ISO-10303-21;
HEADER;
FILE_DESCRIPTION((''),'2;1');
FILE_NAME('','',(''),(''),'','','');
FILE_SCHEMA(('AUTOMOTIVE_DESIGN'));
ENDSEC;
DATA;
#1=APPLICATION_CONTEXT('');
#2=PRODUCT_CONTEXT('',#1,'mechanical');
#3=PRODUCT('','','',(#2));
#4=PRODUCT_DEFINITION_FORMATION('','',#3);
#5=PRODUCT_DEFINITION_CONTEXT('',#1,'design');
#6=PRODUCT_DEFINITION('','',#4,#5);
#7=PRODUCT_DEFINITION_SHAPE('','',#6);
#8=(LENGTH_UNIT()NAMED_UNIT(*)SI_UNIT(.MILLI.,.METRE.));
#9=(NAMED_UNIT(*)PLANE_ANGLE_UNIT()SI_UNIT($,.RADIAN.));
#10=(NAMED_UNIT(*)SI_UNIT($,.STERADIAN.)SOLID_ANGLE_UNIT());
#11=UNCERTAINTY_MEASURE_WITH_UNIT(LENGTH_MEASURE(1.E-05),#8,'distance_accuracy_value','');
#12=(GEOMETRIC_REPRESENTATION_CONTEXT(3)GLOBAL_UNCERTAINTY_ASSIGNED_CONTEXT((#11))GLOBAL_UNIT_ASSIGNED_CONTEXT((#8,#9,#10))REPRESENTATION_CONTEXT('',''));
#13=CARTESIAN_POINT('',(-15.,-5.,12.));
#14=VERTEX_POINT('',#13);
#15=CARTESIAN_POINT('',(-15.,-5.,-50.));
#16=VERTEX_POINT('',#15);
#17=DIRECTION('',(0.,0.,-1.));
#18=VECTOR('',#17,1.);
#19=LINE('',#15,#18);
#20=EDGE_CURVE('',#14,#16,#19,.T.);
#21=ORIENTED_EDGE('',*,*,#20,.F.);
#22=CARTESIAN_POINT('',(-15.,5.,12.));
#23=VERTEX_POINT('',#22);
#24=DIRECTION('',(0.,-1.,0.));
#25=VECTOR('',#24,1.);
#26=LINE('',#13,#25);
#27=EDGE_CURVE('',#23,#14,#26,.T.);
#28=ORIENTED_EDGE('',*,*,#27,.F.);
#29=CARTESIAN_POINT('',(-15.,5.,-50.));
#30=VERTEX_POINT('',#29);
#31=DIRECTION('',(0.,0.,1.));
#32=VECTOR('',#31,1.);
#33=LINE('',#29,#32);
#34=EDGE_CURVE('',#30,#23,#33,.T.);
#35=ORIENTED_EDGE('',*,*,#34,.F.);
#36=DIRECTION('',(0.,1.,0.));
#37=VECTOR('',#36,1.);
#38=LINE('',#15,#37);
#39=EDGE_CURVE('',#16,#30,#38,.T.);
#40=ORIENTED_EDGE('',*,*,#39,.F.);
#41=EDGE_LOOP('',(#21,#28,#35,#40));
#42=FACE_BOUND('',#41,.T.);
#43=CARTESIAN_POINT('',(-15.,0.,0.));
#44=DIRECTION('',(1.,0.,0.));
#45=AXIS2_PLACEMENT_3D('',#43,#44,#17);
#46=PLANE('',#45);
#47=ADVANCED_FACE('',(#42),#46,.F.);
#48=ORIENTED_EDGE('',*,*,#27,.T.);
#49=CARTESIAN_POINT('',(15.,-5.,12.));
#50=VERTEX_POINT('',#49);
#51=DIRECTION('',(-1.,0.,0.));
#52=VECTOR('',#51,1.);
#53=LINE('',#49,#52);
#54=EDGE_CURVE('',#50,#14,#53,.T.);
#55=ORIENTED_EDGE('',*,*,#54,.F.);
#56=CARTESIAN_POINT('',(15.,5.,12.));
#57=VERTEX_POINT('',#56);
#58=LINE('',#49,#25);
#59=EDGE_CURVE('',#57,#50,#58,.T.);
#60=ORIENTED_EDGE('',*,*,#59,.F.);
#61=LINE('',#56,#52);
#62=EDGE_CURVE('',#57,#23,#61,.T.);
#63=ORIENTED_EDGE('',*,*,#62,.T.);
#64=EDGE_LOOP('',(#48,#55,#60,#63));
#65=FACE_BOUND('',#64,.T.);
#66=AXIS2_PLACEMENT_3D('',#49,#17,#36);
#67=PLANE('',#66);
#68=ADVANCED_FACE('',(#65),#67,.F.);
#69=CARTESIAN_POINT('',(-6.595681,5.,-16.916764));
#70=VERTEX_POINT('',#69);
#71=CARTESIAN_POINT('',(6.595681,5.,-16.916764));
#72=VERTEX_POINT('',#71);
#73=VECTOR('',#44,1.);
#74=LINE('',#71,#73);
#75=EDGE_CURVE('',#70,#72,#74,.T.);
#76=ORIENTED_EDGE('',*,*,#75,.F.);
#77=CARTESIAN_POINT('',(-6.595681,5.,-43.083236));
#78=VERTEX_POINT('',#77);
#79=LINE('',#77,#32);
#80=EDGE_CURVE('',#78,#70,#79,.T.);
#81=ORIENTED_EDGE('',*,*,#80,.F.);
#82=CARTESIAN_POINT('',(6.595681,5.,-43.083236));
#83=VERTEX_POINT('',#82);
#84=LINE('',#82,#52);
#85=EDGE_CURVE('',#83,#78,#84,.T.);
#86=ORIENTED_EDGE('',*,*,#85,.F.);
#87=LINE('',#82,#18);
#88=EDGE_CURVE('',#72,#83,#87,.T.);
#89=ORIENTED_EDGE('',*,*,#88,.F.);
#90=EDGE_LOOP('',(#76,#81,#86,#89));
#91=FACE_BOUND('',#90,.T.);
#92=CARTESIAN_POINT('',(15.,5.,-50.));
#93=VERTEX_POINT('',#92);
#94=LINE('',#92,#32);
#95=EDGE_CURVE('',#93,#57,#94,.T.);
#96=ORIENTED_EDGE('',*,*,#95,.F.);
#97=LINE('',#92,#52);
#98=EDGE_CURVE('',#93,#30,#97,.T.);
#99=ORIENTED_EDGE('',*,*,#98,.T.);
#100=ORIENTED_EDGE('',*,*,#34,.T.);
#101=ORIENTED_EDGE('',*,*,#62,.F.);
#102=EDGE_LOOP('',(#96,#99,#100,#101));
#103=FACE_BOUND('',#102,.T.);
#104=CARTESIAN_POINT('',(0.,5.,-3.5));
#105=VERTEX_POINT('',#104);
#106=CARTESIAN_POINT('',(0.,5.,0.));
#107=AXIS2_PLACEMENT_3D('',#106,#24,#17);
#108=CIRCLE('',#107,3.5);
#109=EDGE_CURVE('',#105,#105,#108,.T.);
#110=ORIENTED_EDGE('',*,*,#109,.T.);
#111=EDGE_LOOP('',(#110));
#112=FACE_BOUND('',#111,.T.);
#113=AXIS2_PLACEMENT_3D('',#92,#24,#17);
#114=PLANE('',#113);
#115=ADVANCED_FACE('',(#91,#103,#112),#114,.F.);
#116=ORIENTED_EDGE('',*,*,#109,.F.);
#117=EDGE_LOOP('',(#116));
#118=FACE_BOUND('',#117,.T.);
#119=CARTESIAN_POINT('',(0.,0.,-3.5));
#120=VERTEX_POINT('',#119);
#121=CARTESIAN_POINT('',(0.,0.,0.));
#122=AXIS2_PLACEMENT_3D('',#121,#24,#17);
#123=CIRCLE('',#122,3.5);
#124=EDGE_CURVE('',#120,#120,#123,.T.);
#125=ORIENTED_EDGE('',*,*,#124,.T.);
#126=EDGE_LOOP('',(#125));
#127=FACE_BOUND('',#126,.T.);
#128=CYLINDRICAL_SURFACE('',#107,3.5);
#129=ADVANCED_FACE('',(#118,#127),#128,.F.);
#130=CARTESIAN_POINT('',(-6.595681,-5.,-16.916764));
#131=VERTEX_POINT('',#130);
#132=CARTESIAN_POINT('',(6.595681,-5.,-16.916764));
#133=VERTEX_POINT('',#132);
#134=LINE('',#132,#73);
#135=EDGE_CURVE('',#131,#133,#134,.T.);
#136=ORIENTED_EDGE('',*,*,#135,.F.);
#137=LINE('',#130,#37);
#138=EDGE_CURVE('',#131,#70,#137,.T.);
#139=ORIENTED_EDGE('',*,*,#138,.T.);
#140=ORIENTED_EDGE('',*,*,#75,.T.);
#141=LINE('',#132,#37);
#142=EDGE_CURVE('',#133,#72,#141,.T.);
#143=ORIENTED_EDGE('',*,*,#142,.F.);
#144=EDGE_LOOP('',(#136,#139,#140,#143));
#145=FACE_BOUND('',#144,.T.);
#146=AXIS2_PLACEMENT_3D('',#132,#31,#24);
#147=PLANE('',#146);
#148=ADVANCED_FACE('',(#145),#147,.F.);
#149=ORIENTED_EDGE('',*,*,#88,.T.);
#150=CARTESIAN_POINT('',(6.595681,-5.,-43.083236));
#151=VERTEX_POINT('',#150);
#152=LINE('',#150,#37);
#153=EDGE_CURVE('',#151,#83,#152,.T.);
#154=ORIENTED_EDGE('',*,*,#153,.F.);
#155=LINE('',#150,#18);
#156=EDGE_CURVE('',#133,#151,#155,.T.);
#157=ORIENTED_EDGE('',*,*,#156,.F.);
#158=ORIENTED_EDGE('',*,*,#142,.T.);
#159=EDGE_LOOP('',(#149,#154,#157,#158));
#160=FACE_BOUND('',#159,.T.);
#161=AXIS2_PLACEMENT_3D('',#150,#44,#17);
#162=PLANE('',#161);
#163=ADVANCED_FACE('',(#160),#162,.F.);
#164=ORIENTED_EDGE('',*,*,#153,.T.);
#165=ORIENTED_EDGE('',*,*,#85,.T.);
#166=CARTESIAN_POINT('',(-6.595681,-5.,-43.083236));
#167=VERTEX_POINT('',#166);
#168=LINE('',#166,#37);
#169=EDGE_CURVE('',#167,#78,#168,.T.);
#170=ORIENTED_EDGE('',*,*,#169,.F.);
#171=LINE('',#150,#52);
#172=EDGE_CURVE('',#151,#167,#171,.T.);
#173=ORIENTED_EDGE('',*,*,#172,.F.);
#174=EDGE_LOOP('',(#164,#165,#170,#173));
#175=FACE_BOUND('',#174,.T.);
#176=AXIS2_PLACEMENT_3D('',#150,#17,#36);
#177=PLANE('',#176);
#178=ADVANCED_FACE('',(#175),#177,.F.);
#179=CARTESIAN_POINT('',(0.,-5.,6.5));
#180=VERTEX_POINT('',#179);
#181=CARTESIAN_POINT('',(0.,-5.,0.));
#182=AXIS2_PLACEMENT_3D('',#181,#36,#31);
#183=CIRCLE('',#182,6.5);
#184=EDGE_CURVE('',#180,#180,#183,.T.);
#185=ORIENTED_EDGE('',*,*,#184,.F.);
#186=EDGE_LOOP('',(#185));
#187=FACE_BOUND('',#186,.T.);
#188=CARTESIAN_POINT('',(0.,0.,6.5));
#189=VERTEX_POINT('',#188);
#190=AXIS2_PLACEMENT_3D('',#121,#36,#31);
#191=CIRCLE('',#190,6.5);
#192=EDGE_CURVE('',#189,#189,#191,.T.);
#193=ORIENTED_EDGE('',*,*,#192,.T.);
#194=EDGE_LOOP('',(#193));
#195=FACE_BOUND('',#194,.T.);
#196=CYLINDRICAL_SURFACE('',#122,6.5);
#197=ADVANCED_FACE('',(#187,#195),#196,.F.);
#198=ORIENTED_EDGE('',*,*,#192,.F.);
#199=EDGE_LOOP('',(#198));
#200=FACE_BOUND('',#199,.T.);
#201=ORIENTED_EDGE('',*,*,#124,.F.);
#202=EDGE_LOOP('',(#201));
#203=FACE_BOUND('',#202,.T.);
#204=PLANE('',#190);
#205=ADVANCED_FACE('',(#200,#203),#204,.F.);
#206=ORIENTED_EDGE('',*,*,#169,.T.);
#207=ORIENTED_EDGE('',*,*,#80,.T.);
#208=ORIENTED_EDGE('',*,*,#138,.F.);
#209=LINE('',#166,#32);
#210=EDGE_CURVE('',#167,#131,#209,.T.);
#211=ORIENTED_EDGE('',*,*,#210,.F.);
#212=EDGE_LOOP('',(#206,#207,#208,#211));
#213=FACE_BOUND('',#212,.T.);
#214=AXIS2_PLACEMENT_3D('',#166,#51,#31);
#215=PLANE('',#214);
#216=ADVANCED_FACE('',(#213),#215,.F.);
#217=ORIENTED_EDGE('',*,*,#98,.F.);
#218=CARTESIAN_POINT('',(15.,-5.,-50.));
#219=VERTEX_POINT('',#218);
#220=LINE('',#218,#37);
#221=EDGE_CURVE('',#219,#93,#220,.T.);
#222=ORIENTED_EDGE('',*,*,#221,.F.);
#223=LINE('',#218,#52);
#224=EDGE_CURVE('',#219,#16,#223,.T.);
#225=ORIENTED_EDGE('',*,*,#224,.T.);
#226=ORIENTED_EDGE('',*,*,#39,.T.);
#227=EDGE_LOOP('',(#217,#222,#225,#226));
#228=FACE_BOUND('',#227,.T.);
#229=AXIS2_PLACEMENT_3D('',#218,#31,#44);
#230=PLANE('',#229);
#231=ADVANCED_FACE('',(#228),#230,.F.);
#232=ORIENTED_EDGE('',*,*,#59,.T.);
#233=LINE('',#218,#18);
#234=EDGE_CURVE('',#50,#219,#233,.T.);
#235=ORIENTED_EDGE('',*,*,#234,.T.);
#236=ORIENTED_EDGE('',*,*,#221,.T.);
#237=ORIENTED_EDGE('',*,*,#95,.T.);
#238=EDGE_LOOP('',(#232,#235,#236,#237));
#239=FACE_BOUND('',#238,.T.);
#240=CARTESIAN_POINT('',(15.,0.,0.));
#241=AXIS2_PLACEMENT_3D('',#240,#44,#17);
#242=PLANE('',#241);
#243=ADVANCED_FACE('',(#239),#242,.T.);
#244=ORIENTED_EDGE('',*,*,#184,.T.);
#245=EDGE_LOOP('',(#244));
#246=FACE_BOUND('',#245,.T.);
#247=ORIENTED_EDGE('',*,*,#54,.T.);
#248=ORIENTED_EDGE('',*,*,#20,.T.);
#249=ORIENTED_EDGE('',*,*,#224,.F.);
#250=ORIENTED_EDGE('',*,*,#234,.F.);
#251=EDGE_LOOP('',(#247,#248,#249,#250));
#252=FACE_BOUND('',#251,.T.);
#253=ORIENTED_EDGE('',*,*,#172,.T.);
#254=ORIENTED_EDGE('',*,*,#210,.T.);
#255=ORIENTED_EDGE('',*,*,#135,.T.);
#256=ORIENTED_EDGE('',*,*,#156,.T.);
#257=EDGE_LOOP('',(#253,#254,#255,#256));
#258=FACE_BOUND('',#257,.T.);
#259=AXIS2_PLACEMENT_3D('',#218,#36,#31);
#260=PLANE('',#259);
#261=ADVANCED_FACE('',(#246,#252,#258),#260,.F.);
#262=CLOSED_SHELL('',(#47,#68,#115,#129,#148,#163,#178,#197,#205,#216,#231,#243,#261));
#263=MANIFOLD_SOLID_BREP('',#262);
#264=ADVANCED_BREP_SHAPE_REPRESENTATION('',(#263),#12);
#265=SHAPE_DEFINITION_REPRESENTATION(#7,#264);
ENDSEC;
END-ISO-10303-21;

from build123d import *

# Parameters (mm, degrees)
SKETCH_1_W          = 62
SKETCH_1_H          = 10
EXTRUDE_1_DEPTH     = 15
SKETCH_2_R          = 6.5
CUT_EXTRUDE_1_DEPTH = 5
SKETCH_4_R          = 3.5
CUT_EXTRUDE_3_DEPTH = 53.440442409
SKETCH_3_W          = 13.191362224
SKETCH_3_H          = 26.166472608
CUT_EXTRUDE_2_DEPTH = 54.150729064


with BuildPart() as part:
    # 草图1 → 凸台-拉伸1 (new, symmetric)
    with BuildSketch(Plane(origin=(0, 0, 0), x_dir=(0, 0, -1), z_dir=(1, 0, 0))):
        with Locations((19, 0)):
            Rectangle(SKETCH_1_W, SKETCH_1_H)
    extrude(amount=EXTRUDE_1_DEPTH, both=True)

    # 草图2 → 切除-拉伸1 (cut)
    with BuildSketch(Plane(origin=(0, -5, 0), x_dir=(1, 0, 0), z_dir=(0, 1, 0))):
        with Locations(Location((0, 0, 0), (0, 0, 270))):
            Circle(SKETCH_2_R)
    extrude(amount=CUT_EXTRUDE_1_DEPTH, mode=Mode.SUBTRACT)

    # 草图4 → 切除-拉伸3 (cut, through all)
    with BuildSketch(Plane.XZ):
        with Locations(Location((0, 0, 0), (0, 0, 270))):
            Circle(SKETCH_4_R)
    extrude(amount=-CUT_EXTRUDE_3_DEPTH, mode=Mode.SUBTRACT)

    # 草图3 → 切除-拉伸2 (cut, through all)
    with BuildSketch(Plane(origin=(0, 5, 0), x_dir=(1, 0, 0), z_dir=(0, 1, 0))):
        with Locations((0, 30)):
            Rectangle(SKETCH_3_W, SKETCH_3_H)
    extrude(amount=-CUT_EXTRUDE_2_DEPTH, mode=Mode.SUBTRACT)


solid = part.part
